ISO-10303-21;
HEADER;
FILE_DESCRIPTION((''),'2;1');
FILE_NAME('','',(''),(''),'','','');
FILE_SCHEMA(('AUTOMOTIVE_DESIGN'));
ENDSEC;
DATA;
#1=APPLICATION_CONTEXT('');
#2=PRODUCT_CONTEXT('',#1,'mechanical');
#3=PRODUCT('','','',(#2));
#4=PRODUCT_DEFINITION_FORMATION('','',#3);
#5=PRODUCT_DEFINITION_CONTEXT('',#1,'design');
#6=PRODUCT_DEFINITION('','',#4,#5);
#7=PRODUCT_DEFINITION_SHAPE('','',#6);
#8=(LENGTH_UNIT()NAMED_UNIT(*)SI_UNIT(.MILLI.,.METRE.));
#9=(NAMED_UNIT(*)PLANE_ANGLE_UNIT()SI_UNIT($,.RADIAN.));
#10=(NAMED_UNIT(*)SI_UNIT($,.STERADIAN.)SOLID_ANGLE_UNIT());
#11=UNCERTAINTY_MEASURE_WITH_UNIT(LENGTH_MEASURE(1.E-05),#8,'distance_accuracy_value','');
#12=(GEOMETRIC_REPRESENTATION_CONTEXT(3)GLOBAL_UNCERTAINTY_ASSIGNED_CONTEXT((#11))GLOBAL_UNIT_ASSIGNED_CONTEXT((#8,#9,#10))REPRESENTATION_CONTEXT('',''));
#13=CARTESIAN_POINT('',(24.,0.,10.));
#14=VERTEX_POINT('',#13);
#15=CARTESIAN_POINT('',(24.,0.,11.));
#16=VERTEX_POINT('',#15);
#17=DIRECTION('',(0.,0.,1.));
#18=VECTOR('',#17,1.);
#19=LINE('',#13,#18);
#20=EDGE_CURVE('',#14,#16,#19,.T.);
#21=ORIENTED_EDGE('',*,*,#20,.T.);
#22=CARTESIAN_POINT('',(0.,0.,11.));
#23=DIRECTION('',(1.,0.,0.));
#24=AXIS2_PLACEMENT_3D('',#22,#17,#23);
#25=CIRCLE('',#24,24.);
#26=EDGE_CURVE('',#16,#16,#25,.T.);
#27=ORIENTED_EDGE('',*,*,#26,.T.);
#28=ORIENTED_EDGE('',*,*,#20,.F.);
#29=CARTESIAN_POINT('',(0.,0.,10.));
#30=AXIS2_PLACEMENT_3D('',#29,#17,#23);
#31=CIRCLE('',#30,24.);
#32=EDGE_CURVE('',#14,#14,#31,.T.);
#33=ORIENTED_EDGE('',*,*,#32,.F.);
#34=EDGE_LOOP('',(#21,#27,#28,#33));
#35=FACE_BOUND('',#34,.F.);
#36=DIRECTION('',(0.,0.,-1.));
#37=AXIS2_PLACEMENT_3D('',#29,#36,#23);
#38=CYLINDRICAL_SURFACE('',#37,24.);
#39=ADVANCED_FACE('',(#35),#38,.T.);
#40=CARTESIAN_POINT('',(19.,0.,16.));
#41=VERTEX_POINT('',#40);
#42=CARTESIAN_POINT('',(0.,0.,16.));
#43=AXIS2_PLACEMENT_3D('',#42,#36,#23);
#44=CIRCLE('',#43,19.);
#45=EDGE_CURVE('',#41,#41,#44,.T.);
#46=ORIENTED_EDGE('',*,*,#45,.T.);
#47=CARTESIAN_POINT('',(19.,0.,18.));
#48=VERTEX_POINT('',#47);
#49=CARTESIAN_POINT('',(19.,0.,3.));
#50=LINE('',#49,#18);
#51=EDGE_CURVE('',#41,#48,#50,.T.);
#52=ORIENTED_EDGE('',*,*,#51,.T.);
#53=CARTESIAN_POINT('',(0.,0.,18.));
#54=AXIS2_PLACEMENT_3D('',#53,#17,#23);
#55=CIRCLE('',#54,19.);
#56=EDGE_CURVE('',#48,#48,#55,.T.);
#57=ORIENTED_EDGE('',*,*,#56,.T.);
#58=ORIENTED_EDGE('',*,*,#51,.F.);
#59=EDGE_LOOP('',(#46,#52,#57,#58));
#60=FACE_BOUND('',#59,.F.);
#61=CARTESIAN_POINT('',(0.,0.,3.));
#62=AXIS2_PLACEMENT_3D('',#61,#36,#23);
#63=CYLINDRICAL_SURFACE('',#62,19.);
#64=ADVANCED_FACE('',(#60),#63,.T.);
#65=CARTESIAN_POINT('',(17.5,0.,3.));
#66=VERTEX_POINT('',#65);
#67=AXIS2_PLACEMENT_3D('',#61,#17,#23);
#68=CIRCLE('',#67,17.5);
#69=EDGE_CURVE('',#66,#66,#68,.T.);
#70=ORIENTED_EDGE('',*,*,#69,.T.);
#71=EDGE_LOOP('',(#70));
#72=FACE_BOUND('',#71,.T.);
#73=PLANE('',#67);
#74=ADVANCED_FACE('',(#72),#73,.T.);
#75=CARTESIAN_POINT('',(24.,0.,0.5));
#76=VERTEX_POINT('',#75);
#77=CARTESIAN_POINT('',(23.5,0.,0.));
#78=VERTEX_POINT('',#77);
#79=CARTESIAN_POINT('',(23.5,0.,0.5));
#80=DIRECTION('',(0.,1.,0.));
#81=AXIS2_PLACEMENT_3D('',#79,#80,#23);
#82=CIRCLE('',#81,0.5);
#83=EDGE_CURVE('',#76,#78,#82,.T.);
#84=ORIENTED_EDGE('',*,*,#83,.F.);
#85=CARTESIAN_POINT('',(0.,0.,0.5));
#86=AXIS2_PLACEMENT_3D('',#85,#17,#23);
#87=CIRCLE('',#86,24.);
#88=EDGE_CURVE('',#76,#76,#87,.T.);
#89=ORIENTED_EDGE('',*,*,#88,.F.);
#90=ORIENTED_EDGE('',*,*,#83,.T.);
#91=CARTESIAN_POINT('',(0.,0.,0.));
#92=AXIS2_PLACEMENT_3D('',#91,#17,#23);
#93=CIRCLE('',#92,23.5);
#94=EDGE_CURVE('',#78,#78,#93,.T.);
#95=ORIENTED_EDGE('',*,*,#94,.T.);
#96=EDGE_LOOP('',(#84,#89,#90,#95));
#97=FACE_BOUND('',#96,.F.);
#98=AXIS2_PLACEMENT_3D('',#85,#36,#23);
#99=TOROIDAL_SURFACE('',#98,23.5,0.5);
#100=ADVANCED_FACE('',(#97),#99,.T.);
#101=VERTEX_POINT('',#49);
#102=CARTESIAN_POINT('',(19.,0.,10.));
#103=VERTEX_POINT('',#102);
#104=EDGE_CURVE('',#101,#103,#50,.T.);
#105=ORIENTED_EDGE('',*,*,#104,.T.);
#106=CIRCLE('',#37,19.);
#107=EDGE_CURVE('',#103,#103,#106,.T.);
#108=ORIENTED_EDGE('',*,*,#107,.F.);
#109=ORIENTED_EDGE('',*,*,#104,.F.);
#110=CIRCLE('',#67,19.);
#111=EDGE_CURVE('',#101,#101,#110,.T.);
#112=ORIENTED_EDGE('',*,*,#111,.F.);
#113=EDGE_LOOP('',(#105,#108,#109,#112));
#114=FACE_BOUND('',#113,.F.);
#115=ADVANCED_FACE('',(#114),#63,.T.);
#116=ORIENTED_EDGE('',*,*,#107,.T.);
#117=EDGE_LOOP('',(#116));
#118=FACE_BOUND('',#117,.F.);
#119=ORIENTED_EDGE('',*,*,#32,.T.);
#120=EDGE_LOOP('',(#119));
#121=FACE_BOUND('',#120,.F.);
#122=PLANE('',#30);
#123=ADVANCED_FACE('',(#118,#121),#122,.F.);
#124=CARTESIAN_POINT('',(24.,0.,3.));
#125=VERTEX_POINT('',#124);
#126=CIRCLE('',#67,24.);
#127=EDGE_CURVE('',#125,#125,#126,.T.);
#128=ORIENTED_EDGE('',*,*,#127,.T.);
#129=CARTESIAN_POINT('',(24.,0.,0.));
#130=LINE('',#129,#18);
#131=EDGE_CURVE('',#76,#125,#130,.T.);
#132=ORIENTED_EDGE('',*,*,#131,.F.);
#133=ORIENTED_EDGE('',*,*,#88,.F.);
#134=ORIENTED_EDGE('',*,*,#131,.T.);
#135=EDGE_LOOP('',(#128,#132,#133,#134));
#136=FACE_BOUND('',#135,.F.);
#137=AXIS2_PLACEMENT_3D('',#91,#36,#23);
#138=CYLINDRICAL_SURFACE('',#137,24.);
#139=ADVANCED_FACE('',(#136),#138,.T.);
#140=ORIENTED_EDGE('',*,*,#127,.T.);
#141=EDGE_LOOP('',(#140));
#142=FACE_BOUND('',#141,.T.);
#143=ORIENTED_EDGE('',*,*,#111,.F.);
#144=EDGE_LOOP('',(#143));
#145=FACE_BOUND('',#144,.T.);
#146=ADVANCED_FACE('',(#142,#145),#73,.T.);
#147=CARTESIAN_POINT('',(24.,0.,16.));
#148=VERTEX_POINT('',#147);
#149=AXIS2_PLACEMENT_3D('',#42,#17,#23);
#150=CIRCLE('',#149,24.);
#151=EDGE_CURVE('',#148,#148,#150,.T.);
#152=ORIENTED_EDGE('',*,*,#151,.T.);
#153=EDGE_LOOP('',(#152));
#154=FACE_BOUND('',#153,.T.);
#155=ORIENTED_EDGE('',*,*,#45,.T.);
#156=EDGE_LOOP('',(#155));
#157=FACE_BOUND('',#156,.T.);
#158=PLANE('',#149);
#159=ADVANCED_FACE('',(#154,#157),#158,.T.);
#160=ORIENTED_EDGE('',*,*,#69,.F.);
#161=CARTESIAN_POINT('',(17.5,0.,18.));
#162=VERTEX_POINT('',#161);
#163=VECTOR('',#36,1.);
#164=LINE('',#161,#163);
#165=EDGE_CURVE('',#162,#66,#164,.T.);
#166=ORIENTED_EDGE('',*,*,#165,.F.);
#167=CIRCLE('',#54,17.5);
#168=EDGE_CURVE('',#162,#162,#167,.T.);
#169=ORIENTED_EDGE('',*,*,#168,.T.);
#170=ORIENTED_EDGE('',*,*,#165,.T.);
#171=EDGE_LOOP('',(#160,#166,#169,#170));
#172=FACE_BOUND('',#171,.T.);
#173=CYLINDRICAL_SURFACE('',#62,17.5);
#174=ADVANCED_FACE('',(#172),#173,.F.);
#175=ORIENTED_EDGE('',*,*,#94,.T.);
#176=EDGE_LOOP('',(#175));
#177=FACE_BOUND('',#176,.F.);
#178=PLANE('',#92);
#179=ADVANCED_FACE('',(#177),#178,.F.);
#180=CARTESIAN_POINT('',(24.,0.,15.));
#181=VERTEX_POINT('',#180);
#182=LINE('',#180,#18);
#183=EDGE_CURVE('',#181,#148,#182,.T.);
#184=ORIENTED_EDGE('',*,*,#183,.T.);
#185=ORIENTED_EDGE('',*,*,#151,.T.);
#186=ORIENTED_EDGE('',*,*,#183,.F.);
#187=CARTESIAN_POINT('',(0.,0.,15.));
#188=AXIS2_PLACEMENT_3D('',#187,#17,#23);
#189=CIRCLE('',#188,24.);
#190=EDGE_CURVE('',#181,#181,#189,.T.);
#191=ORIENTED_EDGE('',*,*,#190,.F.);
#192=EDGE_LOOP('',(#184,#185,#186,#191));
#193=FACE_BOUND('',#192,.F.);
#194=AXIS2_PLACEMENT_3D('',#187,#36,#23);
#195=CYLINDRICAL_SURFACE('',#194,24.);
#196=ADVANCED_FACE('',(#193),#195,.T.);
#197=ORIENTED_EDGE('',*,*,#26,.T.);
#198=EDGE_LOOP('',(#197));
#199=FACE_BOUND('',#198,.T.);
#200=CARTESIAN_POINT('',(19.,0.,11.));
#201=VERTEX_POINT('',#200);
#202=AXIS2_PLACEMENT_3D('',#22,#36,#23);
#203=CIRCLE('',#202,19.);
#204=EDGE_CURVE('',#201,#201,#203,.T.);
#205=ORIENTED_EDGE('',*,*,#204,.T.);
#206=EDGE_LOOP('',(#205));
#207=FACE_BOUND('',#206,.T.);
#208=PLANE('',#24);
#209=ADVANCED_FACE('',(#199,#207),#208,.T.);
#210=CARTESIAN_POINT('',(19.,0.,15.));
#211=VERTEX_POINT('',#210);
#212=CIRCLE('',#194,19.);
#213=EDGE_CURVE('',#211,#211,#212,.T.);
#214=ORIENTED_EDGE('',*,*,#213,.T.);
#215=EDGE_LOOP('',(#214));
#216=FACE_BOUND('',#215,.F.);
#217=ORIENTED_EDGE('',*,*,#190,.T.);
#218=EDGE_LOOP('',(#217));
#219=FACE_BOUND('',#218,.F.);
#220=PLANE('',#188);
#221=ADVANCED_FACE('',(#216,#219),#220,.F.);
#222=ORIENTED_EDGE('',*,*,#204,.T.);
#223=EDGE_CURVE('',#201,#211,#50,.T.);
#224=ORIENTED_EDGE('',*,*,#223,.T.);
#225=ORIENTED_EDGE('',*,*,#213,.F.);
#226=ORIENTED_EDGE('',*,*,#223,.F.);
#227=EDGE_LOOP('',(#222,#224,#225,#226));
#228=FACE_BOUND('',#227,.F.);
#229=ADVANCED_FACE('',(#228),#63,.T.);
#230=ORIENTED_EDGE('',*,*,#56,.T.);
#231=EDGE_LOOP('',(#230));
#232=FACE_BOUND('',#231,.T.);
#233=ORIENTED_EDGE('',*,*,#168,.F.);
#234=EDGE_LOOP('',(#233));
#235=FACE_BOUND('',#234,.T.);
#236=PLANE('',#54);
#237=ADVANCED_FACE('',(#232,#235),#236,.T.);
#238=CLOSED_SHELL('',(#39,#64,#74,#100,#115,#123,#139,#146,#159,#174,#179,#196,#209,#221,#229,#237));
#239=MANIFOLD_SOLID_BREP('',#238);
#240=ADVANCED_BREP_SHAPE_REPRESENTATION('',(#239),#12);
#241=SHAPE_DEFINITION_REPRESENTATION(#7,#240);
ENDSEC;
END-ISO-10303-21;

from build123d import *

# Parameters (mm, degrees)
SKETCH_R      = 24
PAD_DEPTH     = 3
SKETCH001_R   = 19
SKETCH001_R_2 = 17.5
PAD001_DEPTH  = 15
SKETCH002_R   = 24
SKETCH002_R_2 = 17.5
PAD002_DEPTH  = 1
SKETCH003_R   = 24
SKETCH003_R_2 = 17.5
PAD003_DEPTH  = 1
FILLET_R      = 0.5


with BuildPart() as part:
    # Sketch → Pad (new body)
    with BuildSketch(Plane.XY):
        Circle(SKETCH_R)
    extrude(amount=PAD_DEPTH)

    # Sketch001 (on Face3 of Pad) → Pad001 (join)
    with BuildSketch(Plane.XY.offset(3)):
        Circle(SKETCH001_R)
        Circle(SKETCH001_R_2, mode=Mode.SUBTRACT)
    extrude(amount=PAD001_DEPTH)

    # Sketch002 (on DatumPlane) → Pad002 (join)
    with BuildSketch(Plane.XY.offset(10)):
        Circle(SKETCH002_R)
        Circle(SKETCH002_R_2, mode=Mode.SUBTRACT)
    extrude(amount=PAD002_DEPTH)

    # Sketch003 (on DatumPlane) → Pad003 (join)
    with BuildSketch(Plane.XY.offset(15)):
        Circle(SKETCH003_R)
        Circle(SKETCH003_R_2, mode=Mode.SUBTRACT)
    extrude(amount=PAD003_DEPTH)

    # Fillet
    fillet_edges = [part.edges().sort_by_distance(p)[0] for p in [
        (-24, 0, 0),
    ]]
    fillet(fillet_edges, radius=FILLET_R)


solid = part.part
